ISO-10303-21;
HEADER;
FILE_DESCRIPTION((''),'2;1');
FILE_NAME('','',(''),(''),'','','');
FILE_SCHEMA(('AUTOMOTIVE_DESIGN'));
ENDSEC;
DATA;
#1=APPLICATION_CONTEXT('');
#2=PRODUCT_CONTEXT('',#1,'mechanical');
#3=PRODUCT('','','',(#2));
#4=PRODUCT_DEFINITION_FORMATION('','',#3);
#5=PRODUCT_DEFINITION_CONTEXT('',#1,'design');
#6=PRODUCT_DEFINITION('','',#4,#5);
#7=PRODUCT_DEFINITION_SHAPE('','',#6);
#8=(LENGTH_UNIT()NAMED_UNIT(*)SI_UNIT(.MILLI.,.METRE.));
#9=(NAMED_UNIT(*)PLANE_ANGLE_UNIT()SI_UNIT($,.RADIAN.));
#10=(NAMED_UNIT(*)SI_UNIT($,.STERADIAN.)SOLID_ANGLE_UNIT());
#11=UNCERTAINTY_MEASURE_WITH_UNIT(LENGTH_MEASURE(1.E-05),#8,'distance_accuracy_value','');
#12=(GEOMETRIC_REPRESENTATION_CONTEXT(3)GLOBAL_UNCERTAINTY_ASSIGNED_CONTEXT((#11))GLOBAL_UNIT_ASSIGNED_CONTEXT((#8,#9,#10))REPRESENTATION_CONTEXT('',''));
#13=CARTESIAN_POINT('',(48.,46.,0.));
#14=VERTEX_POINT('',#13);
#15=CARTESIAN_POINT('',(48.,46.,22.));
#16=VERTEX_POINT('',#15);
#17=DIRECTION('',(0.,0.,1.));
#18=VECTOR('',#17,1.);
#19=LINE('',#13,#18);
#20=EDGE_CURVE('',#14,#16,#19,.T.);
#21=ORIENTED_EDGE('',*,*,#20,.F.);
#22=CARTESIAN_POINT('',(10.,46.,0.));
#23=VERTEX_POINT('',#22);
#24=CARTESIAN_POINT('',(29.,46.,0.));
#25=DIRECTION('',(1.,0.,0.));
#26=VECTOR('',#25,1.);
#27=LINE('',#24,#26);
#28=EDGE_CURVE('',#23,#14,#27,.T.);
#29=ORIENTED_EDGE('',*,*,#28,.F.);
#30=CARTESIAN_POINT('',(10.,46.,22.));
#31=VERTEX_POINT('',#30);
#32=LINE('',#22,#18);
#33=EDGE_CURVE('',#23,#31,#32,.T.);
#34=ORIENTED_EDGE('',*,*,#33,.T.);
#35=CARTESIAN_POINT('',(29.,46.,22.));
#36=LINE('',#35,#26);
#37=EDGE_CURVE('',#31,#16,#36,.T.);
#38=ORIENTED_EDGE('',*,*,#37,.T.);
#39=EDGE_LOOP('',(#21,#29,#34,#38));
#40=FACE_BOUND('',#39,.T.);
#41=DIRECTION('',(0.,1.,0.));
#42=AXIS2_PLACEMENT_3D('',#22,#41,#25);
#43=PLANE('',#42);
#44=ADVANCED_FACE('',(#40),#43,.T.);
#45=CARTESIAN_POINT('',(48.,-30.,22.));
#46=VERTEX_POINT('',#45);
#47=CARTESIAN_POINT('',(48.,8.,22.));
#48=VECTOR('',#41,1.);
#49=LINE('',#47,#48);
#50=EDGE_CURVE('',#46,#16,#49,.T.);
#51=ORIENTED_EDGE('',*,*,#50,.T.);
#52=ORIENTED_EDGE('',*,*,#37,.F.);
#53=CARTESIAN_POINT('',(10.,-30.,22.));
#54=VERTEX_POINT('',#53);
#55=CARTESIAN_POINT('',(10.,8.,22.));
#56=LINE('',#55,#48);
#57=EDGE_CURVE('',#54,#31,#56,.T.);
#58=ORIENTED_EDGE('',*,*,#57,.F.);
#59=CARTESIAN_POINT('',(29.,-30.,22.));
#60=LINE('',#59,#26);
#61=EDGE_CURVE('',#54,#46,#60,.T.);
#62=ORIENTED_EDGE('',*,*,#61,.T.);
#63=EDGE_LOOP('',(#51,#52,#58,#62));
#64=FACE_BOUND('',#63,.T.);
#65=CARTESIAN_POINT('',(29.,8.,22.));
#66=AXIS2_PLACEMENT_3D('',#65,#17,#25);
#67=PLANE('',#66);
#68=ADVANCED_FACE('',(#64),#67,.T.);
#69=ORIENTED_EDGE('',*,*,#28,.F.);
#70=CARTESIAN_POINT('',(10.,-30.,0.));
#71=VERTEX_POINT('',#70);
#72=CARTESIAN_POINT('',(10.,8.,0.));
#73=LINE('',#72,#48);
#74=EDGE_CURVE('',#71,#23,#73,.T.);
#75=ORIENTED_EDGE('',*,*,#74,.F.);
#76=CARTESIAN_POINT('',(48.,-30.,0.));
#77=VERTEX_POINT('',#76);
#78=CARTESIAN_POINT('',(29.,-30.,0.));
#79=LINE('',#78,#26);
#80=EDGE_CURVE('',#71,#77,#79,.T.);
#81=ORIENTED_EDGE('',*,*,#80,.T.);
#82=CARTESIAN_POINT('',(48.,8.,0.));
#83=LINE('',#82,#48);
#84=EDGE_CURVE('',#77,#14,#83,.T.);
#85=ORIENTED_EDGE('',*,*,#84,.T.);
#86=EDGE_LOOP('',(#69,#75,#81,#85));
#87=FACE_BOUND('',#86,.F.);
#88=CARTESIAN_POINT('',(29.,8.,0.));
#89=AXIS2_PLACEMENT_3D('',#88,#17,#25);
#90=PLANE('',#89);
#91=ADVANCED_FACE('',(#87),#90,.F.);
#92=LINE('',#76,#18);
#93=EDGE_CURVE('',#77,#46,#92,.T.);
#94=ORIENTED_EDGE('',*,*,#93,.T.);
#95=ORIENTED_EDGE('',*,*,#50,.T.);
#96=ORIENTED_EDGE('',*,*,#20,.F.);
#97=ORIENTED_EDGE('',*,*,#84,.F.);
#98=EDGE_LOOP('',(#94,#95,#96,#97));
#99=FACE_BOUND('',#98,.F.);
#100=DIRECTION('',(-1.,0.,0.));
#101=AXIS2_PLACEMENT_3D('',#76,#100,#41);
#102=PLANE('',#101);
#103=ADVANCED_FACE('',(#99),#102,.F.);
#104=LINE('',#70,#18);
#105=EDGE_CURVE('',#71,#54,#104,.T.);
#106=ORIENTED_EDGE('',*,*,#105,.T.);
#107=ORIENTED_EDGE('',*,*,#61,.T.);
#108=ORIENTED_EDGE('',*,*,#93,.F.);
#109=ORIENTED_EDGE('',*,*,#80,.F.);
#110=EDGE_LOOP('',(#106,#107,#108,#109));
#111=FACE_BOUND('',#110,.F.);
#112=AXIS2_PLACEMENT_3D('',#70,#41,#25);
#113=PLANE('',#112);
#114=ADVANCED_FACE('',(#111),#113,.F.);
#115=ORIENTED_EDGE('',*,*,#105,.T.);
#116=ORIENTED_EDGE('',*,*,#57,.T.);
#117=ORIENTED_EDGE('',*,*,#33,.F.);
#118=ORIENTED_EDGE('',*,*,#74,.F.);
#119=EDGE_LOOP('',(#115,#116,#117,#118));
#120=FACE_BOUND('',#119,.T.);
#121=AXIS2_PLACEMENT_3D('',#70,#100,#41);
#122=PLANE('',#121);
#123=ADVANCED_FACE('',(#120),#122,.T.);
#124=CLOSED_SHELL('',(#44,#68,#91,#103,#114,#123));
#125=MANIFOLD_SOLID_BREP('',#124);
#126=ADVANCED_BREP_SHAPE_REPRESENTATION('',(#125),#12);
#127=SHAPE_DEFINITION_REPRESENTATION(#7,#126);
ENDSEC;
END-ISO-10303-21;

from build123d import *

# Parameters (mm, degrees)
SKETCH_W  = 38
SKETCH_H  = 76
PAD_DEPTH = 22


with BuildPart() as part:
    # Sketch → Pad (new body)
    with BuildSketch(Plane.XY):
        with Locations((29, 8)):
            Rectangle(SKETCH_W, SKETCH_H)
    extrude(amount=PAD_DEPTH)


solid = part.part
